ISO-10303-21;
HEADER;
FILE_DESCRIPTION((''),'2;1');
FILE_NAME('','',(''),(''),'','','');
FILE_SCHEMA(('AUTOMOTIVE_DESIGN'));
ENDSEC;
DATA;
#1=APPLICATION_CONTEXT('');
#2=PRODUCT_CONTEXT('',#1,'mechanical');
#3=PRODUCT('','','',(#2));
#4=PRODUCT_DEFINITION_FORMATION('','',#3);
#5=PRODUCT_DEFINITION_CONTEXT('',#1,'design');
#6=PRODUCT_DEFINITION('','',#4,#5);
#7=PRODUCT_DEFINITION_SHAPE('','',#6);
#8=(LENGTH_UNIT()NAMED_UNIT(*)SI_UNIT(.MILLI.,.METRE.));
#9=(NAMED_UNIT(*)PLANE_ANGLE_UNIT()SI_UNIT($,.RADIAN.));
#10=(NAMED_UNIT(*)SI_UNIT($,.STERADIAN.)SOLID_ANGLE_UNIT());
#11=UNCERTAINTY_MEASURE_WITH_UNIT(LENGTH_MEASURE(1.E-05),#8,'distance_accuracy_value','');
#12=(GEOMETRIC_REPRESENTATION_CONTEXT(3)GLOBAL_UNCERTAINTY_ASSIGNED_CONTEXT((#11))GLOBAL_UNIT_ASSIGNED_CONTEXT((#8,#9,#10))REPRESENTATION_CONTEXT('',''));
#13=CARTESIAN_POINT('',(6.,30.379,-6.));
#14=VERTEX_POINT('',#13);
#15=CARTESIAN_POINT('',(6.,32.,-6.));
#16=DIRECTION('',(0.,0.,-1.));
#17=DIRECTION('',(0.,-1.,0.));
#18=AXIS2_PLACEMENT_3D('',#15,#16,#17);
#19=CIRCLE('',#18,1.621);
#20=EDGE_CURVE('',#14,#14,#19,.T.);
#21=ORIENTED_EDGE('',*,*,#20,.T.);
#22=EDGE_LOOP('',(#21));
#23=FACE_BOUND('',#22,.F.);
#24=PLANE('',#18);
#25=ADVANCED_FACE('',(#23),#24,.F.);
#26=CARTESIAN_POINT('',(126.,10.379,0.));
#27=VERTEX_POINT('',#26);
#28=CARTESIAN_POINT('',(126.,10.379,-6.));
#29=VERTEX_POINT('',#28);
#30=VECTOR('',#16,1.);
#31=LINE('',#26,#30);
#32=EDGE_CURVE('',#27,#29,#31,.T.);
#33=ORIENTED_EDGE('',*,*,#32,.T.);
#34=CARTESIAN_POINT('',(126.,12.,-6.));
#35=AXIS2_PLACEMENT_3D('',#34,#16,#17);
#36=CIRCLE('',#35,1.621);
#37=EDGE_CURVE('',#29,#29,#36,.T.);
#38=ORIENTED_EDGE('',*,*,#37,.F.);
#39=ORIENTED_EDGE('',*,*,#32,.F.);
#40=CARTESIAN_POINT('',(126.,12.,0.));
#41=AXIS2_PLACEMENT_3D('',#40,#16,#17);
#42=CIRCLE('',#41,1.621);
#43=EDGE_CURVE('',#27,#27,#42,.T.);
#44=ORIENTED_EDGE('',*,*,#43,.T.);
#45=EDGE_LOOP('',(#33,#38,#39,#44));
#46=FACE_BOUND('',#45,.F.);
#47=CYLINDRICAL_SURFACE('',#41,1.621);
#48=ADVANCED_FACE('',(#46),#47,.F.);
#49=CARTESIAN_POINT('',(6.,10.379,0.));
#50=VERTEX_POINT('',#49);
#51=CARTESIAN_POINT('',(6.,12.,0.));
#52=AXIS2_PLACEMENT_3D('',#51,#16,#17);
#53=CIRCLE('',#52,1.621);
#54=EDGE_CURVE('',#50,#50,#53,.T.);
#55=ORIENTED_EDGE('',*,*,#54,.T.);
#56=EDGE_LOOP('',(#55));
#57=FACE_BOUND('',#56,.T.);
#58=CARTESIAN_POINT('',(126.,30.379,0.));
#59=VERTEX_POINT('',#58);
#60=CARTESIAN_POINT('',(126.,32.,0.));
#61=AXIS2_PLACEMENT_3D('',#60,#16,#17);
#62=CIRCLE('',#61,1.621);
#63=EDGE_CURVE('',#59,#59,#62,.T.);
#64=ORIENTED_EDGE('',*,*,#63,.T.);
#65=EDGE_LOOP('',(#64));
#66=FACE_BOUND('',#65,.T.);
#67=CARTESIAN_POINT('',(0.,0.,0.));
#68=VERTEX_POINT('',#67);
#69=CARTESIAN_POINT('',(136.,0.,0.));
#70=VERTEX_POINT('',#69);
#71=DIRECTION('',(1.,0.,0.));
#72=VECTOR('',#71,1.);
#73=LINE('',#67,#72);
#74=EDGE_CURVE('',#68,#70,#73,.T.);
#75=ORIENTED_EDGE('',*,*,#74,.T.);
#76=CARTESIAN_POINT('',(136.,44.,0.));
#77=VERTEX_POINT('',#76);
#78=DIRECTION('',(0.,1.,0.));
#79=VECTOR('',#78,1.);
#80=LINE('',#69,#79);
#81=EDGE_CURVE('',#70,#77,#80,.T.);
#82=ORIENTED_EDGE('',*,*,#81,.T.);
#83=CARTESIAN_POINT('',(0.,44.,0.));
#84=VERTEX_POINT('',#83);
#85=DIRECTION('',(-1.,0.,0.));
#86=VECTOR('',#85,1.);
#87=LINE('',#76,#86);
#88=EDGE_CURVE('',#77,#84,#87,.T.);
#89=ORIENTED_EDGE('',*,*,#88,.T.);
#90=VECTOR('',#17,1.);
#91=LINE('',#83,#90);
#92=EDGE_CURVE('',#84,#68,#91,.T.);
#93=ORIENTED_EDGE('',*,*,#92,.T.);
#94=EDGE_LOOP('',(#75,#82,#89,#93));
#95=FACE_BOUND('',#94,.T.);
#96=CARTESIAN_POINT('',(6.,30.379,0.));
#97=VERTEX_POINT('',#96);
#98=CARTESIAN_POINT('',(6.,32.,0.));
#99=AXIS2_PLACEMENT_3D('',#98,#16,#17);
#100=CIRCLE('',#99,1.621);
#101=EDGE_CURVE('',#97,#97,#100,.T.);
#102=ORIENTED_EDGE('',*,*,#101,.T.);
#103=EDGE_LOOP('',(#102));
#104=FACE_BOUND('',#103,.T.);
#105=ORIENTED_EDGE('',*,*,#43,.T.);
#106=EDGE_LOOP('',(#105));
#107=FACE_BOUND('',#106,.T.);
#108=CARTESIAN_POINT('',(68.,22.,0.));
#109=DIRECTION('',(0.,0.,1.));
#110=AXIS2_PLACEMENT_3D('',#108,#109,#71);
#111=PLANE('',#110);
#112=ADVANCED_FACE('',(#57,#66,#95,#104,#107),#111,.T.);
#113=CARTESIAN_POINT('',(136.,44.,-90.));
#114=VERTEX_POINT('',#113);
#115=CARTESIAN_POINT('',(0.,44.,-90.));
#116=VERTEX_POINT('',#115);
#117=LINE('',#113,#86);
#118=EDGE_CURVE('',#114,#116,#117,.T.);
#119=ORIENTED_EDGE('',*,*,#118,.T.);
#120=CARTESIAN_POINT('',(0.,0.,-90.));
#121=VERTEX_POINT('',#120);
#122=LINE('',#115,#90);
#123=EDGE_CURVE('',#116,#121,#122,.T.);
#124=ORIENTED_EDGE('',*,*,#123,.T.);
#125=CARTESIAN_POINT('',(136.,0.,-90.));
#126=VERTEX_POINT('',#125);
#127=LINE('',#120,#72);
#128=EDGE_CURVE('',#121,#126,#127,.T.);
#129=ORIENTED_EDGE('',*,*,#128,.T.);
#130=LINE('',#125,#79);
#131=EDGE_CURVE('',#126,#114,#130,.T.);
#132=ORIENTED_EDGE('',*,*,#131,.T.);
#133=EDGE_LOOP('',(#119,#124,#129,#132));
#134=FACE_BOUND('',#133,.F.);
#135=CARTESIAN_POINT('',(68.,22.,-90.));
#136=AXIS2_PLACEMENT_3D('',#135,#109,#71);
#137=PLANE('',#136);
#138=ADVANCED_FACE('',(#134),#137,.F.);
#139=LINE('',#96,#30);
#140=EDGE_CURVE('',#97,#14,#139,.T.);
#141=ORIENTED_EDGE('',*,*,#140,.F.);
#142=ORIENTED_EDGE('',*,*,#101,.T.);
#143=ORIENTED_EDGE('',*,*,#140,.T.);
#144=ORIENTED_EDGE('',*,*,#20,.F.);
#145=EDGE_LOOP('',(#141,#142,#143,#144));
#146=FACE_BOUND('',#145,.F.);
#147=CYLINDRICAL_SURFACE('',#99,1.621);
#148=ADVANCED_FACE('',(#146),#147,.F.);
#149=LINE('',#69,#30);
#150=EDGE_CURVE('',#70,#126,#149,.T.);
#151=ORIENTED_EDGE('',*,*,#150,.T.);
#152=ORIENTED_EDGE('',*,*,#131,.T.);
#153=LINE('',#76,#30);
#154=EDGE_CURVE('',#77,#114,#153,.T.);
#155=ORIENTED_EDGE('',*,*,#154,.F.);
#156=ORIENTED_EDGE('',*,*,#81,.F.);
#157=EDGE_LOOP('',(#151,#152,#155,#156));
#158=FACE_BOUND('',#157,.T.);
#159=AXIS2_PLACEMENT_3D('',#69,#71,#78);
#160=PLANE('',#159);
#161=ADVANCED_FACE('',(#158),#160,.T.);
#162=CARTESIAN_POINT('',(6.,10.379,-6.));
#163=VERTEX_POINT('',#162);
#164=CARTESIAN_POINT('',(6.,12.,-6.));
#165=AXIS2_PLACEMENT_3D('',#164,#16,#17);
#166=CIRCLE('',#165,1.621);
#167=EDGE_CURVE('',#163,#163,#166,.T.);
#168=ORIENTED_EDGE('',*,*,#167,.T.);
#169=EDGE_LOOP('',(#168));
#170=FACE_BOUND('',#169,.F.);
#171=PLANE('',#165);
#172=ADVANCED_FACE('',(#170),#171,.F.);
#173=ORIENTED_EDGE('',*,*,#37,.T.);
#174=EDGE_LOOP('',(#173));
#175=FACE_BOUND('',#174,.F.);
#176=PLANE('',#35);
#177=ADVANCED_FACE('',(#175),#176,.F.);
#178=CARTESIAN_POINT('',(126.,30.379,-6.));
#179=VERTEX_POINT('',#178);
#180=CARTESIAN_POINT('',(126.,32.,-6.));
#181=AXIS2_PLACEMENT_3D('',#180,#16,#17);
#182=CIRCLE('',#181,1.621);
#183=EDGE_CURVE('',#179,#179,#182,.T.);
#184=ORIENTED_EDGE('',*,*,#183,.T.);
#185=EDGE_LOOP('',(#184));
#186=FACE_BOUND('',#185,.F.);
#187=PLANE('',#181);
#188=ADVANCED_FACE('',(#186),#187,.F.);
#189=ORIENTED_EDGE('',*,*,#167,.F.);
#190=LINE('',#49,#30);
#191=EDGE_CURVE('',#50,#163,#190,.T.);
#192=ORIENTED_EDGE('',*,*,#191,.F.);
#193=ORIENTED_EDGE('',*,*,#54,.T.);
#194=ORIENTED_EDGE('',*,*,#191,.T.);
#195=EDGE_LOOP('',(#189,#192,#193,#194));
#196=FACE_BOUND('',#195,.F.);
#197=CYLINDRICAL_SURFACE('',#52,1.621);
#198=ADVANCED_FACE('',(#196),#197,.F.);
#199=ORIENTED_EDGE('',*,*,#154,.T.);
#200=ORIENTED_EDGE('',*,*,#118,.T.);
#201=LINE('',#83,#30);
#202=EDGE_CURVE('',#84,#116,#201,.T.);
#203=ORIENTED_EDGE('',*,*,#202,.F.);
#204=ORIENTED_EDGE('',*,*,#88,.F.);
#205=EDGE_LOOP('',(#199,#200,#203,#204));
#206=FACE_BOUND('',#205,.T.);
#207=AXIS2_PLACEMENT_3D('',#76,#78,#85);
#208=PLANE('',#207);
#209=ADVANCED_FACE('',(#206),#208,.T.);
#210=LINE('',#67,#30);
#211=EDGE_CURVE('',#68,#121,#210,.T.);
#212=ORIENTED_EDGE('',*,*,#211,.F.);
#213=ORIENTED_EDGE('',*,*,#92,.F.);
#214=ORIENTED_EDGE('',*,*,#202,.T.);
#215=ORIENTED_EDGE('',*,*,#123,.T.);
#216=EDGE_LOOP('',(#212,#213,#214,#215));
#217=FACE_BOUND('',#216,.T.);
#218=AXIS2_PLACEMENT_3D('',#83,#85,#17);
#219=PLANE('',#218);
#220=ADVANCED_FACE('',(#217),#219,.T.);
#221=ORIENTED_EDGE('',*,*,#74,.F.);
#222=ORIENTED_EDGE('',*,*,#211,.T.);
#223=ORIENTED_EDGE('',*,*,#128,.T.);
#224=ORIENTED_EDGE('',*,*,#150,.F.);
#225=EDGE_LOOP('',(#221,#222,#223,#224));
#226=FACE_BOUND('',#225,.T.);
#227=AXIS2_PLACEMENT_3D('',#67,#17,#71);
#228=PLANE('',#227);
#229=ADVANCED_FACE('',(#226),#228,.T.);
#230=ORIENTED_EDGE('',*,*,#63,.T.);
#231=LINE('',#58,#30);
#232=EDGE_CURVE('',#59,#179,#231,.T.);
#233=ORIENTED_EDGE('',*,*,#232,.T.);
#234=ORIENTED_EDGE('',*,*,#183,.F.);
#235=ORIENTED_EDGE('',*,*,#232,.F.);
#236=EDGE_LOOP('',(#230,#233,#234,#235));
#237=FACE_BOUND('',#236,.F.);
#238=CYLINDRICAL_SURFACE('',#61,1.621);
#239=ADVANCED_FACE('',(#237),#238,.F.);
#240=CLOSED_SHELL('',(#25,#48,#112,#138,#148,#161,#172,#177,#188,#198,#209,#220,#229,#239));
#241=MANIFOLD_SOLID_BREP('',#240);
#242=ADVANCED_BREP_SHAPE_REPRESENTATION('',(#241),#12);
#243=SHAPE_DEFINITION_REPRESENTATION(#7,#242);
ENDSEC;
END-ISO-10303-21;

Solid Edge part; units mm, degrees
sketch "Sketch1" plane through (0, 0, 0) normal (0, 0, 1) x (1, 0, 0)
  line L0 (136, 44) -> (0, 44)
  line L1 (0, 44) -> (0, 0)
  line L2 (0, 0) -> (136, 0)
  line L3 (136, 0) -> (136, 44)
extrude "Protrusion1" add sketch "Sketch1" against normal blind 90
hole "Hole1" at (126, 32, 0) direction (0, 0, -1) diameter 3.242 depth 6 thread major 4 thread length 2
hole "Hole2" at (126, 12, 0) direction (0, 0, -1) diameter 3.242 depth 6 thread major 4 thread length 2
hole "Hole3" at (6, 12, 0) direction (0, 0, -1) diameter 3.242 depth 6 thread major 4 thread length 2
hole "Hole4" at (6, 32, 0) direction (0, 0, -1) diameter 3.242 depth 6 thread major 4 thread length 2
